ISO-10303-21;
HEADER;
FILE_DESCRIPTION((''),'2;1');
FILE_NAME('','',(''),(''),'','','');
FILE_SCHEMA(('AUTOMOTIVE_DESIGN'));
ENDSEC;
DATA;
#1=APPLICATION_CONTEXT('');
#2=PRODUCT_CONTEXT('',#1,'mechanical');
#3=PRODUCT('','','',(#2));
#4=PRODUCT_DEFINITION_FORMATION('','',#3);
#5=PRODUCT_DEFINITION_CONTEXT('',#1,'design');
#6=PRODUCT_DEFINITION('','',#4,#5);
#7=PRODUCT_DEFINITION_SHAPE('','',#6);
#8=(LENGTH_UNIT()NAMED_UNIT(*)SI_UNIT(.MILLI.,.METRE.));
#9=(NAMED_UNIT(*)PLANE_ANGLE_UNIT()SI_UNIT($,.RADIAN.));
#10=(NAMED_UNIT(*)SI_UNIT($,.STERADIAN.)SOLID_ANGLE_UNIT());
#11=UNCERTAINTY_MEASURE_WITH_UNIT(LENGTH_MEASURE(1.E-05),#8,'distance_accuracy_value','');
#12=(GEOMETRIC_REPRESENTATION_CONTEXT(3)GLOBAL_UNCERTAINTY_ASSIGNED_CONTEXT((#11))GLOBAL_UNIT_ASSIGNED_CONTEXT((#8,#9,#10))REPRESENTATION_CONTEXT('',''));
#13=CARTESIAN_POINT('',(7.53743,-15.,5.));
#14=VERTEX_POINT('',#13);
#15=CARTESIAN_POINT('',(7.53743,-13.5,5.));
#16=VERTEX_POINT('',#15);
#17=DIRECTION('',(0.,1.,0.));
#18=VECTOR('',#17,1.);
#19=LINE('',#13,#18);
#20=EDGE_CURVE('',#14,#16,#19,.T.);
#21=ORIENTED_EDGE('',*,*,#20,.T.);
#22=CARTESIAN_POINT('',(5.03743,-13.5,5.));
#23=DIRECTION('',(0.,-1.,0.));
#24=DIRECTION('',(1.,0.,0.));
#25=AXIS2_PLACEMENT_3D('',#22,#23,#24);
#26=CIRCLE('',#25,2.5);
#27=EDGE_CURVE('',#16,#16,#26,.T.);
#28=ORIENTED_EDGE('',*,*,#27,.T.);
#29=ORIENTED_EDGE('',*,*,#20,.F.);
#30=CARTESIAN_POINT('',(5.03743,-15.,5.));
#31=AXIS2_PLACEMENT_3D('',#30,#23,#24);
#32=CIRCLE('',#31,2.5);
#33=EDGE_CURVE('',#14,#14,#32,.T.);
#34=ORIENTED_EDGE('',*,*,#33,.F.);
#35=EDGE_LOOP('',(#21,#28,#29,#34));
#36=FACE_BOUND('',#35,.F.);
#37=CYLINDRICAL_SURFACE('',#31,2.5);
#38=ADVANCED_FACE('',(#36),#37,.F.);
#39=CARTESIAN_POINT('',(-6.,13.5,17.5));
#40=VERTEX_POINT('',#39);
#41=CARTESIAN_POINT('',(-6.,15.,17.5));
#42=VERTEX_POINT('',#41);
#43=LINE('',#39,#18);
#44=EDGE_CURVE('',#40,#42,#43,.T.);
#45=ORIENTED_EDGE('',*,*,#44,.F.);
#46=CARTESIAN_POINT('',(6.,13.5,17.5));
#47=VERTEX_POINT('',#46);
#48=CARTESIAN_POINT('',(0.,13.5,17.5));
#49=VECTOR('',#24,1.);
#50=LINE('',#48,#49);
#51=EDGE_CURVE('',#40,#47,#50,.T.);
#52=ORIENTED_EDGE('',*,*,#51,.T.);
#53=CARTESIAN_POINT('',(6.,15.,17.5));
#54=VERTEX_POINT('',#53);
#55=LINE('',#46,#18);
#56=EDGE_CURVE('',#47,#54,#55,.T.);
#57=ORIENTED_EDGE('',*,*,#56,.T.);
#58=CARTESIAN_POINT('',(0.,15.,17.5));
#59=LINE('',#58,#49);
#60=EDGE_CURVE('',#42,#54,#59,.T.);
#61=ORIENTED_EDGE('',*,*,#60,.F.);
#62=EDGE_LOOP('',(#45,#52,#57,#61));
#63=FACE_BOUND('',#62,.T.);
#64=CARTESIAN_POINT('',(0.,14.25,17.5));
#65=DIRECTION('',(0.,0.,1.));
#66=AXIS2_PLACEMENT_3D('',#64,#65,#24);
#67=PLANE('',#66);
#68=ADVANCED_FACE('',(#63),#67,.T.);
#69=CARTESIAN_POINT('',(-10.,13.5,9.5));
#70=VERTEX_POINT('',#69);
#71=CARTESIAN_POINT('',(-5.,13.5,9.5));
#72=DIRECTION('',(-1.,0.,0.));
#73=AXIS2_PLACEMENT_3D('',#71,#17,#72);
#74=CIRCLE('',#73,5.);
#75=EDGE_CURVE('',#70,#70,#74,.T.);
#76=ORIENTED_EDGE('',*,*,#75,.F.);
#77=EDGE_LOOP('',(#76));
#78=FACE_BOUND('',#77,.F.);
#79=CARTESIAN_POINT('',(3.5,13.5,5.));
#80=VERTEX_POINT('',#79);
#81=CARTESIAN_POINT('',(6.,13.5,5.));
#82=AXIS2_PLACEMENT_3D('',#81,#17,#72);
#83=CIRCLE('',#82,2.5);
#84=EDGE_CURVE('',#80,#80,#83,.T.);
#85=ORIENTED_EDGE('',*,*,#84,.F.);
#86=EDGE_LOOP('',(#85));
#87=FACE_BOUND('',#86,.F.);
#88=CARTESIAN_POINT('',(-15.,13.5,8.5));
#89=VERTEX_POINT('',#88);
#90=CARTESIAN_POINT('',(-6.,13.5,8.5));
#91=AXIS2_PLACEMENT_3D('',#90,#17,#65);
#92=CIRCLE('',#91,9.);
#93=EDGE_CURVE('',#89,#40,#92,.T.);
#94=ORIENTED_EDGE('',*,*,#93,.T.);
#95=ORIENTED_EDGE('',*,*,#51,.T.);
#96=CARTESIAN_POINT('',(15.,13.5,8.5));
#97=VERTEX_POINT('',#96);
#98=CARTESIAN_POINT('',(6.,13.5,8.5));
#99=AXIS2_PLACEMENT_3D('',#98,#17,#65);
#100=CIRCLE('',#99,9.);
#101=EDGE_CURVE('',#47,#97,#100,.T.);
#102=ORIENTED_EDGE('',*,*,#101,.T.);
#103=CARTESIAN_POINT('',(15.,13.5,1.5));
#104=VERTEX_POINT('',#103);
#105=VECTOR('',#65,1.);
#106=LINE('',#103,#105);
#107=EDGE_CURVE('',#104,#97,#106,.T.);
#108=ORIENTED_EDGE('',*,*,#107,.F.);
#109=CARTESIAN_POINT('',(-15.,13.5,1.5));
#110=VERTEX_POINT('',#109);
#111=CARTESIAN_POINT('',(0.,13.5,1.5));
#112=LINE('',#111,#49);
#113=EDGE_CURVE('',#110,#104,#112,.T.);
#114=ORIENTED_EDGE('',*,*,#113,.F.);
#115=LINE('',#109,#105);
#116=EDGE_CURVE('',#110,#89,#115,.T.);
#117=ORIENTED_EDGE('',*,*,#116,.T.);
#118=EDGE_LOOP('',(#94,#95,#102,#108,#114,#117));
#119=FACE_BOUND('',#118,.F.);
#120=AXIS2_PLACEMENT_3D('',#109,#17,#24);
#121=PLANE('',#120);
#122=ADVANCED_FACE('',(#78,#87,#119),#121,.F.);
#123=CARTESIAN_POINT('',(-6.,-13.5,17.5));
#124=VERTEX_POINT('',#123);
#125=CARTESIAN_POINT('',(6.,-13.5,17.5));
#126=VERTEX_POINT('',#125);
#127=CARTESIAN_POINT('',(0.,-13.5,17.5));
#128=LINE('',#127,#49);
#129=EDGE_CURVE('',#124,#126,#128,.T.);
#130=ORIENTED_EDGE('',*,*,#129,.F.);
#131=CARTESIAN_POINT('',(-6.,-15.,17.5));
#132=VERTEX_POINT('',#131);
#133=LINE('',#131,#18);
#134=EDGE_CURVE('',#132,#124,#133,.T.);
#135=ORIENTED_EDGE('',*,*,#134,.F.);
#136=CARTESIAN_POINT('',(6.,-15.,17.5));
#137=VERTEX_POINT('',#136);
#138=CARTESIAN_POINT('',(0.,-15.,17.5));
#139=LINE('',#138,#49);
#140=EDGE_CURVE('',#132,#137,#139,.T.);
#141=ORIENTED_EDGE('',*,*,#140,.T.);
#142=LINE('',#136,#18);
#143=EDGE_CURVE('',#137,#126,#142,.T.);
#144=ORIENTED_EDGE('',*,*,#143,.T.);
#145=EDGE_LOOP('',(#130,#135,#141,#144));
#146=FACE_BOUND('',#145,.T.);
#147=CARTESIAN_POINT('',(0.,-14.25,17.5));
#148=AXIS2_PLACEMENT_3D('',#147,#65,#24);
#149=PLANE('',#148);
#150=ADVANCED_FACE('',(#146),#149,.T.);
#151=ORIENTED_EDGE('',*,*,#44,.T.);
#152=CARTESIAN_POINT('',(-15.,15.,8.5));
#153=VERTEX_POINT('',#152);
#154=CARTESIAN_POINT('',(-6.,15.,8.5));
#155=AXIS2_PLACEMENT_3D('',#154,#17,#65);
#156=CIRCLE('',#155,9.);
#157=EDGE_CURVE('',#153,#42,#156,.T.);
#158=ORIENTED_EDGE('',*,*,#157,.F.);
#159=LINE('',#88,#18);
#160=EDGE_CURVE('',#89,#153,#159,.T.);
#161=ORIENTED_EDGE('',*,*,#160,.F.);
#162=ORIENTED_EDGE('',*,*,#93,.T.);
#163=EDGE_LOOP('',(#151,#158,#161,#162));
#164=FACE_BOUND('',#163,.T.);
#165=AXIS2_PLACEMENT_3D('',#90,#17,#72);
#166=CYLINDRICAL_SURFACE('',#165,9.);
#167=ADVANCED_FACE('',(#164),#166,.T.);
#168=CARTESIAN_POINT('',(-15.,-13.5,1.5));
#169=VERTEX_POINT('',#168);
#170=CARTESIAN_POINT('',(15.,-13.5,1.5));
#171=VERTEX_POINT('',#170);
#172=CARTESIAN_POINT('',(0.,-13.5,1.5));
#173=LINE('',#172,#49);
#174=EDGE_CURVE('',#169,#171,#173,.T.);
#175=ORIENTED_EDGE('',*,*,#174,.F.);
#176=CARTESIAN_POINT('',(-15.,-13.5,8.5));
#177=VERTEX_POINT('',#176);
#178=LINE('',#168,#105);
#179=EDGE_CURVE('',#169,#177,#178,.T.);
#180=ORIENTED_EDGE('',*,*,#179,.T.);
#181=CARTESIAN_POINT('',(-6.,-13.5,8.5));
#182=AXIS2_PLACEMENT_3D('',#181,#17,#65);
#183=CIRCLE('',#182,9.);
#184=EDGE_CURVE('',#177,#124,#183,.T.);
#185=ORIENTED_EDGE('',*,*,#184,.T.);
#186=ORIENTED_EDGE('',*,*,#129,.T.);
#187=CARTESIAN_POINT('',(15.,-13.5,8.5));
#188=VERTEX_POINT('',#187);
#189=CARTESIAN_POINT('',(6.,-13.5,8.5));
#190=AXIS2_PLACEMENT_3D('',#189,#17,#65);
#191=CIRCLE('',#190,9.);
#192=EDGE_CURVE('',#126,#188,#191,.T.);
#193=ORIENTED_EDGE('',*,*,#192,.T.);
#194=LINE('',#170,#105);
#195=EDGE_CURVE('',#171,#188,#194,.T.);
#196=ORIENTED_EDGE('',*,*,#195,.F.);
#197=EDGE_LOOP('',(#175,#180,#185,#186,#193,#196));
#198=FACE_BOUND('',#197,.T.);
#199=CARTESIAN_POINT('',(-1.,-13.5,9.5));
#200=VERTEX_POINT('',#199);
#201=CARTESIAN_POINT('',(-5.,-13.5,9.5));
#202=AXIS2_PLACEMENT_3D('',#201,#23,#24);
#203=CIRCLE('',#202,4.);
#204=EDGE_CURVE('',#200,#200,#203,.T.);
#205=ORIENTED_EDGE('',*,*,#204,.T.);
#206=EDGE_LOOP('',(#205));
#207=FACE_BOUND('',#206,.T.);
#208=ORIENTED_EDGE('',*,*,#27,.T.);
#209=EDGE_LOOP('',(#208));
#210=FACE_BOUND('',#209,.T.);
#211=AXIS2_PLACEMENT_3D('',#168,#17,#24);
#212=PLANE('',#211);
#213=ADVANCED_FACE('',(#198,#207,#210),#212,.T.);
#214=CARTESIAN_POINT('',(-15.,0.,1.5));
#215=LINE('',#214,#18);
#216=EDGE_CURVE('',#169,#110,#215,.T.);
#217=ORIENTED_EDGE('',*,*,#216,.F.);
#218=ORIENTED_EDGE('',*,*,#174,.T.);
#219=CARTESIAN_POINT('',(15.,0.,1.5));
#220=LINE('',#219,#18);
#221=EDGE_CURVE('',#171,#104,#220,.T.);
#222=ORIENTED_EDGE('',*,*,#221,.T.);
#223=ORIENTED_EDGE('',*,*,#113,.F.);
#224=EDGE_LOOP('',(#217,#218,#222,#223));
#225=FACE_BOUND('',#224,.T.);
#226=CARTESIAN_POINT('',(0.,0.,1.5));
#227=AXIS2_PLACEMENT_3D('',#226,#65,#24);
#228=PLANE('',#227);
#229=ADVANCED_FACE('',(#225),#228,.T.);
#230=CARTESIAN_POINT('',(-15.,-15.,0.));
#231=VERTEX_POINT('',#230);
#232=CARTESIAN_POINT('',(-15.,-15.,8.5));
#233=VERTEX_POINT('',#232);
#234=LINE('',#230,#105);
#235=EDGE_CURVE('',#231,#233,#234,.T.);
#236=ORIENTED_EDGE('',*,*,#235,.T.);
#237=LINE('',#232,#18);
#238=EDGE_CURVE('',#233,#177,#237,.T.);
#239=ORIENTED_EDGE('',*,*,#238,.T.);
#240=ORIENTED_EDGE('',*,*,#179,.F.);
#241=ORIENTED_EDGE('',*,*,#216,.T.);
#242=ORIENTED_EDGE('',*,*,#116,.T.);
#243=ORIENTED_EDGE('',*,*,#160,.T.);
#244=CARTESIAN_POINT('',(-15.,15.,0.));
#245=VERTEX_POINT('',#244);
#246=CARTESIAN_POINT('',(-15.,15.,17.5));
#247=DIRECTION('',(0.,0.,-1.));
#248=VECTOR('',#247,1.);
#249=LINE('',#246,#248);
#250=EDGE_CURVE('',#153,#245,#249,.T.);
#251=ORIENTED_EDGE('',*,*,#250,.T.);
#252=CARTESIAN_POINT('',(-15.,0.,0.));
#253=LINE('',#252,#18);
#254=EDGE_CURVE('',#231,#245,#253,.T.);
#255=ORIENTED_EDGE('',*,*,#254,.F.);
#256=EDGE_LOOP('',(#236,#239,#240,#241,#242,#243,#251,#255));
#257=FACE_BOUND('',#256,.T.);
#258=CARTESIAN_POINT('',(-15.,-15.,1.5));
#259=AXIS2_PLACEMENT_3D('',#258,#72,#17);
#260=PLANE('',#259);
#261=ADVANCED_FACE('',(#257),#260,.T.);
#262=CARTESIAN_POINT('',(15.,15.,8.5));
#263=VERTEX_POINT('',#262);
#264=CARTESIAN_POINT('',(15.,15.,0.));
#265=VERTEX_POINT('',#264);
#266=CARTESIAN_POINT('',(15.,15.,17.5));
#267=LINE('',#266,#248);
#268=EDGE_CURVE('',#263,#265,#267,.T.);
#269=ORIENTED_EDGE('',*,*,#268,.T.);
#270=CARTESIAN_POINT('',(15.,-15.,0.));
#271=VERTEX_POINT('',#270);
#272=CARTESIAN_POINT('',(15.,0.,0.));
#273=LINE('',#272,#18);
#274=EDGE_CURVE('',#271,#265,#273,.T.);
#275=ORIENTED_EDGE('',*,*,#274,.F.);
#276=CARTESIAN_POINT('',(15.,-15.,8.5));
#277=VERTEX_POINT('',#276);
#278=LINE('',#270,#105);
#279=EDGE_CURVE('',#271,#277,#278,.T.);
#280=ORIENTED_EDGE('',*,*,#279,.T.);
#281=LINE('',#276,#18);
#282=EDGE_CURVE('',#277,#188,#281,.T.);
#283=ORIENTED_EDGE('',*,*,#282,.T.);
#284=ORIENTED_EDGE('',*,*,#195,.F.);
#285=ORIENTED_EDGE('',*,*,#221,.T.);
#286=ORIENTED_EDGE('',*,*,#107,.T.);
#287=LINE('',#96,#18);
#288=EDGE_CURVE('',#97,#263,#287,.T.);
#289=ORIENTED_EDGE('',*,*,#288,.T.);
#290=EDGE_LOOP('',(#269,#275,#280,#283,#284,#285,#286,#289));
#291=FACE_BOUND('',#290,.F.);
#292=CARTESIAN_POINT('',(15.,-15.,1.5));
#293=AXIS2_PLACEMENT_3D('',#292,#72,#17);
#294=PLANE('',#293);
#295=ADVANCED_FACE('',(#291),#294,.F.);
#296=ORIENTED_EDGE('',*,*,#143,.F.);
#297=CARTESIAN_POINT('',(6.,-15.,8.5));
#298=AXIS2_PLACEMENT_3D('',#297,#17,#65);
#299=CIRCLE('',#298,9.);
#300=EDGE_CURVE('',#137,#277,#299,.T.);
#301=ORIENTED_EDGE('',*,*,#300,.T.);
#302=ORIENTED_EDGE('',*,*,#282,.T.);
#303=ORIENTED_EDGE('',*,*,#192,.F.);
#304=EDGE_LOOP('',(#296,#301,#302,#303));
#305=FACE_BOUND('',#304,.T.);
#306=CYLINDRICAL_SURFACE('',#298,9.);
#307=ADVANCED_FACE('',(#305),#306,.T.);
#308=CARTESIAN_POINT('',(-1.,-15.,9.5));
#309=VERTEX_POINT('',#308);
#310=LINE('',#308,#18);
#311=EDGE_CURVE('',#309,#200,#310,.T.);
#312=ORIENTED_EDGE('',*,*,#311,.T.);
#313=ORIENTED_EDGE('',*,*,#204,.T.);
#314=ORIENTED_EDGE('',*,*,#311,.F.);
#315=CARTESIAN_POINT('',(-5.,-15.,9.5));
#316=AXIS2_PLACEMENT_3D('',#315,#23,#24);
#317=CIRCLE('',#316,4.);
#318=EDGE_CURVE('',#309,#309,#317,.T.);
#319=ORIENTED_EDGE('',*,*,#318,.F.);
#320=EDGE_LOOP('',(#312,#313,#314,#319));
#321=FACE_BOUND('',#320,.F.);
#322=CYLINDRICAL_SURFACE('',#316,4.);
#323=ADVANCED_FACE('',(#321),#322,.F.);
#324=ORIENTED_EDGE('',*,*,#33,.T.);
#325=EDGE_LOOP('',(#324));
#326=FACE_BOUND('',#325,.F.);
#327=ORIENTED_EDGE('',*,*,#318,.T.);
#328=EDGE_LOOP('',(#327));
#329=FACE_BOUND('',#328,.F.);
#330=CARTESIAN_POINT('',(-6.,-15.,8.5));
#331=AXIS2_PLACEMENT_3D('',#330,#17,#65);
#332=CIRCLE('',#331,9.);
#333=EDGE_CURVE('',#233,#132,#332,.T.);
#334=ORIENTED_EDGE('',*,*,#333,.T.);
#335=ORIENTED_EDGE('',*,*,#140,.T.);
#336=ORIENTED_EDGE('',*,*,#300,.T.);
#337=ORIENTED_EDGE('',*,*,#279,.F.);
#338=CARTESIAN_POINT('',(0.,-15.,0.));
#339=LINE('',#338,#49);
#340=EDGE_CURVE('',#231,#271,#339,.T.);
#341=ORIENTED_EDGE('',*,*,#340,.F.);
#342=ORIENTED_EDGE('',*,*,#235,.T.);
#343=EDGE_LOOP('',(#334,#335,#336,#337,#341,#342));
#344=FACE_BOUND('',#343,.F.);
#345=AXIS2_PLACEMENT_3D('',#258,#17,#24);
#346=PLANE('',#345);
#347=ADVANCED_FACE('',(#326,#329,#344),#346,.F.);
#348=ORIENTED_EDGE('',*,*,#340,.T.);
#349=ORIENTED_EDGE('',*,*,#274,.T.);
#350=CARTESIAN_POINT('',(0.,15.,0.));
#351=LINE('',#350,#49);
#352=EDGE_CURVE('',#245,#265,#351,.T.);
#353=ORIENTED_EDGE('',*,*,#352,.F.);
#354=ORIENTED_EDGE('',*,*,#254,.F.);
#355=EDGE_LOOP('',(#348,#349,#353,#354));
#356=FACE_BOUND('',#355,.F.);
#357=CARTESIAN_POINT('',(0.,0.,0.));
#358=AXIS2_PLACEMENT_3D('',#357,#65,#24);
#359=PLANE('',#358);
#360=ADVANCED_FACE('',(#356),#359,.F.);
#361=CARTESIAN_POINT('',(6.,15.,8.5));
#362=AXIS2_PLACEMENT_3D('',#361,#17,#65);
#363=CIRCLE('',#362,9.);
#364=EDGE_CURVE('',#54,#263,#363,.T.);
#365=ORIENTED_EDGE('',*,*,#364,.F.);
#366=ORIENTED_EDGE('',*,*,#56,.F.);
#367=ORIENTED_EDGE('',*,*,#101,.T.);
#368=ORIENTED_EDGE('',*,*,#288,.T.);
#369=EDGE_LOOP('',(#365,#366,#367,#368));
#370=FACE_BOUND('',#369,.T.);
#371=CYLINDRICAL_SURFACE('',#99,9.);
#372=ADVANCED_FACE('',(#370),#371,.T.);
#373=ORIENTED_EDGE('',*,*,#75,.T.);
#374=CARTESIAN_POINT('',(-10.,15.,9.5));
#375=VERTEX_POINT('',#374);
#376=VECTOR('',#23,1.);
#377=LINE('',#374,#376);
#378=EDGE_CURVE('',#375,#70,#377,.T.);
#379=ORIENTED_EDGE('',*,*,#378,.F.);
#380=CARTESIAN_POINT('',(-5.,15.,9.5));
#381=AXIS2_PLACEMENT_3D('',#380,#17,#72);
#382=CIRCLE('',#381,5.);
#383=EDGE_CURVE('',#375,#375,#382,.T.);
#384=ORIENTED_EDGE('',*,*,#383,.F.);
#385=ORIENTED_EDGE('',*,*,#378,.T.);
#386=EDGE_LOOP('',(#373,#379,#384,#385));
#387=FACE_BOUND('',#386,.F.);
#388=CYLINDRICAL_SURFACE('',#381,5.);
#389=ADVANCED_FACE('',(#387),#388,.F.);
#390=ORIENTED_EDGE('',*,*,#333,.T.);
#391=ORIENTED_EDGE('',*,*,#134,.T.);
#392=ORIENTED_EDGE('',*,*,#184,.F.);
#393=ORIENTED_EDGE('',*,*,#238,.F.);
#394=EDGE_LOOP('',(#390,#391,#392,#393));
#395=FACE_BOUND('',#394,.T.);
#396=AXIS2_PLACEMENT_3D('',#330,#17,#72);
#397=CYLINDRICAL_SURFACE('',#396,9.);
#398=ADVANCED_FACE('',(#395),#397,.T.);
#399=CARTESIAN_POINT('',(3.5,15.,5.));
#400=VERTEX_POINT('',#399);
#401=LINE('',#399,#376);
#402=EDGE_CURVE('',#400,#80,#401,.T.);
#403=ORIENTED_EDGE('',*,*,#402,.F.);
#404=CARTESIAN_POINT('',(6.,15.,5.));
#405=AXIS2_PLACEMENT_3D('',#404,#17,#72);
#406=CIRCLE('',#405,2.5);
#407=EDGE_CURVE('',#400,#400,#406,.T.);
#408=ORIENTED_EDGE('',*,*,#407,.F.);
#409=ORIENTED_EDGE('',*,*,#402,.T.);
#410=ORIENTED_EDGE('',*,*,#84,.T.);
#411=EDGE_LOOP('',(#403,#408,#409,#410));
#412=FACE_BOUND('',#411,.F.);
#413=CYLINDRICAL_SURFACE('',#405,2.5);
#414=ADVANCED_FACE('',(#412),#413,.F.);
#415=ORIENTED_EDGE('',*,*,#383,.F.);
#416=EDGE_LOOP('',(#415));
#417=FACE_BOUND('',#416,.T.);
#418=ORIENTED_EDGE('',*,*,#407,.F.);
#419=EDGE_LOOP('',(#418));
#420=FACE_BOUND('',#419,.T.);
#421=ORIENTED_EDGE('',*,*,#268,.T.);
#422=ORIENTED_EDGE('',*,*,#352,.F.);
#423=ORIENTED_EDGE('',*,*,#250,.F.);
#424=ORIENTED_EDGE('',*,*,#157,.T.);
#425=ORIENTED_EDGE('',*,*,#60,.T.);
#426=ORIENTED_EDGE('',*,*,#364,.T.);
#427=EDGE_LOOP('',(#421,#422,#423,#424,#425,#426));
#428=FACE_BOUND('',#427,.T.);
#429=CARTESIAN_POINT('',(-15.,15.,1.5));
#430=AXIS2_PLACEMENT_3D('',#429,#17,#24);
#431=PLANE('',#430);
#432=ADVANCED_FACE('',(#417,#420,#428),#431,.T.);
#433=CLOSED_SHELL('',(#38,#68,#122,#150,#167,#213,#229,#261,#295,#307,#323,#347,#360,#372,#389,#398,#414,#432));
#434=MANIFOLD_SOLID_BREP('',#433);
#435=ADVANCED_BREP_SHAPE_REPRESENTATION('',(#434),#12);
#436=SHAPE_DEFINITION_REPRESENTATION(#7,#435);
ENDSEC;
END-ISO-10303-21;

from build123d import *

# Parameters (mm, degrees)
F0_W     = 30
F0_H     = 30
F1_DEPTH = 1.5
F2_W     = 30
F2_H     = 1.5
F3_DEPTH = 16
F4_W     = 30
F4_H     = 1.5
F5_DEPTH = 16
F6_R     = 4
F6_R_2   = 2.5
F7_DEPTH = 25
F8_R     = 5
F8_R_2   = 2.5
F9_DEPTH = 25
F10_R    = 9


with BuildPart() as f1:
    # F0 (on Top) → F1 (new body)
    with BuildSketch(Plane.XY):
        Rectangle(F0_W, F0_H)
    extrude(amount=F1_DEPTH)

    # F2 (on face) → F3 (join)
    with BuildSketch(Plane.XY.offset(1.5)):
        with Locations((0, 14.25)):
            Rectangle(F2_W, F2_H)
    extrude(amount=F3_DEPTH)

    # F4 (on face) → F5 (join)
    with BuildSketch(Plane.XY.offset(1.5)):
        with Locations((0, -14.25)):
            Rectangle(F4_W, F4_H)
    extrude(amount=F5_DEPTH)

    # F6 (on face) → F7 (cut)
    with BuildSketch(Plane.XZ.offset(15)):
        with Locations((-5, 9.5)):
            Circle(F6_R)
        with Locations((5.03743, 5)):
            Circle(F6_R_2)
    extrude(amount=-F7_DEPTH, mode=Mode.SUBTRACT)

    # F8 (on face) → F9 (cut)
    with BuildSketch(Plane(origin=(0, 15, 0), x_dir=(-1, 0, 0), z_dir=(0, 1, 0))):
        with Locations((5, 9.5)):
            Circle(F8_R)
        with Locations((-6, 5)):
            Circle(F8_R_2)
    extrude(amount=-F9_DEPTH, mode=Mode.SUBTRACT)

    # F10
    f10_edges = [f1.edges().sort_by_distance(p)[0] for p in [
        (15, 14.25, 17.5),
        (15, -14.25, 17.5),
        (-15, -14.25, 17.5),
        (-15, 14.25, 17.5),
    ]]
    fillet(f10_edges, radius=F10_R)


solid = f1.part
